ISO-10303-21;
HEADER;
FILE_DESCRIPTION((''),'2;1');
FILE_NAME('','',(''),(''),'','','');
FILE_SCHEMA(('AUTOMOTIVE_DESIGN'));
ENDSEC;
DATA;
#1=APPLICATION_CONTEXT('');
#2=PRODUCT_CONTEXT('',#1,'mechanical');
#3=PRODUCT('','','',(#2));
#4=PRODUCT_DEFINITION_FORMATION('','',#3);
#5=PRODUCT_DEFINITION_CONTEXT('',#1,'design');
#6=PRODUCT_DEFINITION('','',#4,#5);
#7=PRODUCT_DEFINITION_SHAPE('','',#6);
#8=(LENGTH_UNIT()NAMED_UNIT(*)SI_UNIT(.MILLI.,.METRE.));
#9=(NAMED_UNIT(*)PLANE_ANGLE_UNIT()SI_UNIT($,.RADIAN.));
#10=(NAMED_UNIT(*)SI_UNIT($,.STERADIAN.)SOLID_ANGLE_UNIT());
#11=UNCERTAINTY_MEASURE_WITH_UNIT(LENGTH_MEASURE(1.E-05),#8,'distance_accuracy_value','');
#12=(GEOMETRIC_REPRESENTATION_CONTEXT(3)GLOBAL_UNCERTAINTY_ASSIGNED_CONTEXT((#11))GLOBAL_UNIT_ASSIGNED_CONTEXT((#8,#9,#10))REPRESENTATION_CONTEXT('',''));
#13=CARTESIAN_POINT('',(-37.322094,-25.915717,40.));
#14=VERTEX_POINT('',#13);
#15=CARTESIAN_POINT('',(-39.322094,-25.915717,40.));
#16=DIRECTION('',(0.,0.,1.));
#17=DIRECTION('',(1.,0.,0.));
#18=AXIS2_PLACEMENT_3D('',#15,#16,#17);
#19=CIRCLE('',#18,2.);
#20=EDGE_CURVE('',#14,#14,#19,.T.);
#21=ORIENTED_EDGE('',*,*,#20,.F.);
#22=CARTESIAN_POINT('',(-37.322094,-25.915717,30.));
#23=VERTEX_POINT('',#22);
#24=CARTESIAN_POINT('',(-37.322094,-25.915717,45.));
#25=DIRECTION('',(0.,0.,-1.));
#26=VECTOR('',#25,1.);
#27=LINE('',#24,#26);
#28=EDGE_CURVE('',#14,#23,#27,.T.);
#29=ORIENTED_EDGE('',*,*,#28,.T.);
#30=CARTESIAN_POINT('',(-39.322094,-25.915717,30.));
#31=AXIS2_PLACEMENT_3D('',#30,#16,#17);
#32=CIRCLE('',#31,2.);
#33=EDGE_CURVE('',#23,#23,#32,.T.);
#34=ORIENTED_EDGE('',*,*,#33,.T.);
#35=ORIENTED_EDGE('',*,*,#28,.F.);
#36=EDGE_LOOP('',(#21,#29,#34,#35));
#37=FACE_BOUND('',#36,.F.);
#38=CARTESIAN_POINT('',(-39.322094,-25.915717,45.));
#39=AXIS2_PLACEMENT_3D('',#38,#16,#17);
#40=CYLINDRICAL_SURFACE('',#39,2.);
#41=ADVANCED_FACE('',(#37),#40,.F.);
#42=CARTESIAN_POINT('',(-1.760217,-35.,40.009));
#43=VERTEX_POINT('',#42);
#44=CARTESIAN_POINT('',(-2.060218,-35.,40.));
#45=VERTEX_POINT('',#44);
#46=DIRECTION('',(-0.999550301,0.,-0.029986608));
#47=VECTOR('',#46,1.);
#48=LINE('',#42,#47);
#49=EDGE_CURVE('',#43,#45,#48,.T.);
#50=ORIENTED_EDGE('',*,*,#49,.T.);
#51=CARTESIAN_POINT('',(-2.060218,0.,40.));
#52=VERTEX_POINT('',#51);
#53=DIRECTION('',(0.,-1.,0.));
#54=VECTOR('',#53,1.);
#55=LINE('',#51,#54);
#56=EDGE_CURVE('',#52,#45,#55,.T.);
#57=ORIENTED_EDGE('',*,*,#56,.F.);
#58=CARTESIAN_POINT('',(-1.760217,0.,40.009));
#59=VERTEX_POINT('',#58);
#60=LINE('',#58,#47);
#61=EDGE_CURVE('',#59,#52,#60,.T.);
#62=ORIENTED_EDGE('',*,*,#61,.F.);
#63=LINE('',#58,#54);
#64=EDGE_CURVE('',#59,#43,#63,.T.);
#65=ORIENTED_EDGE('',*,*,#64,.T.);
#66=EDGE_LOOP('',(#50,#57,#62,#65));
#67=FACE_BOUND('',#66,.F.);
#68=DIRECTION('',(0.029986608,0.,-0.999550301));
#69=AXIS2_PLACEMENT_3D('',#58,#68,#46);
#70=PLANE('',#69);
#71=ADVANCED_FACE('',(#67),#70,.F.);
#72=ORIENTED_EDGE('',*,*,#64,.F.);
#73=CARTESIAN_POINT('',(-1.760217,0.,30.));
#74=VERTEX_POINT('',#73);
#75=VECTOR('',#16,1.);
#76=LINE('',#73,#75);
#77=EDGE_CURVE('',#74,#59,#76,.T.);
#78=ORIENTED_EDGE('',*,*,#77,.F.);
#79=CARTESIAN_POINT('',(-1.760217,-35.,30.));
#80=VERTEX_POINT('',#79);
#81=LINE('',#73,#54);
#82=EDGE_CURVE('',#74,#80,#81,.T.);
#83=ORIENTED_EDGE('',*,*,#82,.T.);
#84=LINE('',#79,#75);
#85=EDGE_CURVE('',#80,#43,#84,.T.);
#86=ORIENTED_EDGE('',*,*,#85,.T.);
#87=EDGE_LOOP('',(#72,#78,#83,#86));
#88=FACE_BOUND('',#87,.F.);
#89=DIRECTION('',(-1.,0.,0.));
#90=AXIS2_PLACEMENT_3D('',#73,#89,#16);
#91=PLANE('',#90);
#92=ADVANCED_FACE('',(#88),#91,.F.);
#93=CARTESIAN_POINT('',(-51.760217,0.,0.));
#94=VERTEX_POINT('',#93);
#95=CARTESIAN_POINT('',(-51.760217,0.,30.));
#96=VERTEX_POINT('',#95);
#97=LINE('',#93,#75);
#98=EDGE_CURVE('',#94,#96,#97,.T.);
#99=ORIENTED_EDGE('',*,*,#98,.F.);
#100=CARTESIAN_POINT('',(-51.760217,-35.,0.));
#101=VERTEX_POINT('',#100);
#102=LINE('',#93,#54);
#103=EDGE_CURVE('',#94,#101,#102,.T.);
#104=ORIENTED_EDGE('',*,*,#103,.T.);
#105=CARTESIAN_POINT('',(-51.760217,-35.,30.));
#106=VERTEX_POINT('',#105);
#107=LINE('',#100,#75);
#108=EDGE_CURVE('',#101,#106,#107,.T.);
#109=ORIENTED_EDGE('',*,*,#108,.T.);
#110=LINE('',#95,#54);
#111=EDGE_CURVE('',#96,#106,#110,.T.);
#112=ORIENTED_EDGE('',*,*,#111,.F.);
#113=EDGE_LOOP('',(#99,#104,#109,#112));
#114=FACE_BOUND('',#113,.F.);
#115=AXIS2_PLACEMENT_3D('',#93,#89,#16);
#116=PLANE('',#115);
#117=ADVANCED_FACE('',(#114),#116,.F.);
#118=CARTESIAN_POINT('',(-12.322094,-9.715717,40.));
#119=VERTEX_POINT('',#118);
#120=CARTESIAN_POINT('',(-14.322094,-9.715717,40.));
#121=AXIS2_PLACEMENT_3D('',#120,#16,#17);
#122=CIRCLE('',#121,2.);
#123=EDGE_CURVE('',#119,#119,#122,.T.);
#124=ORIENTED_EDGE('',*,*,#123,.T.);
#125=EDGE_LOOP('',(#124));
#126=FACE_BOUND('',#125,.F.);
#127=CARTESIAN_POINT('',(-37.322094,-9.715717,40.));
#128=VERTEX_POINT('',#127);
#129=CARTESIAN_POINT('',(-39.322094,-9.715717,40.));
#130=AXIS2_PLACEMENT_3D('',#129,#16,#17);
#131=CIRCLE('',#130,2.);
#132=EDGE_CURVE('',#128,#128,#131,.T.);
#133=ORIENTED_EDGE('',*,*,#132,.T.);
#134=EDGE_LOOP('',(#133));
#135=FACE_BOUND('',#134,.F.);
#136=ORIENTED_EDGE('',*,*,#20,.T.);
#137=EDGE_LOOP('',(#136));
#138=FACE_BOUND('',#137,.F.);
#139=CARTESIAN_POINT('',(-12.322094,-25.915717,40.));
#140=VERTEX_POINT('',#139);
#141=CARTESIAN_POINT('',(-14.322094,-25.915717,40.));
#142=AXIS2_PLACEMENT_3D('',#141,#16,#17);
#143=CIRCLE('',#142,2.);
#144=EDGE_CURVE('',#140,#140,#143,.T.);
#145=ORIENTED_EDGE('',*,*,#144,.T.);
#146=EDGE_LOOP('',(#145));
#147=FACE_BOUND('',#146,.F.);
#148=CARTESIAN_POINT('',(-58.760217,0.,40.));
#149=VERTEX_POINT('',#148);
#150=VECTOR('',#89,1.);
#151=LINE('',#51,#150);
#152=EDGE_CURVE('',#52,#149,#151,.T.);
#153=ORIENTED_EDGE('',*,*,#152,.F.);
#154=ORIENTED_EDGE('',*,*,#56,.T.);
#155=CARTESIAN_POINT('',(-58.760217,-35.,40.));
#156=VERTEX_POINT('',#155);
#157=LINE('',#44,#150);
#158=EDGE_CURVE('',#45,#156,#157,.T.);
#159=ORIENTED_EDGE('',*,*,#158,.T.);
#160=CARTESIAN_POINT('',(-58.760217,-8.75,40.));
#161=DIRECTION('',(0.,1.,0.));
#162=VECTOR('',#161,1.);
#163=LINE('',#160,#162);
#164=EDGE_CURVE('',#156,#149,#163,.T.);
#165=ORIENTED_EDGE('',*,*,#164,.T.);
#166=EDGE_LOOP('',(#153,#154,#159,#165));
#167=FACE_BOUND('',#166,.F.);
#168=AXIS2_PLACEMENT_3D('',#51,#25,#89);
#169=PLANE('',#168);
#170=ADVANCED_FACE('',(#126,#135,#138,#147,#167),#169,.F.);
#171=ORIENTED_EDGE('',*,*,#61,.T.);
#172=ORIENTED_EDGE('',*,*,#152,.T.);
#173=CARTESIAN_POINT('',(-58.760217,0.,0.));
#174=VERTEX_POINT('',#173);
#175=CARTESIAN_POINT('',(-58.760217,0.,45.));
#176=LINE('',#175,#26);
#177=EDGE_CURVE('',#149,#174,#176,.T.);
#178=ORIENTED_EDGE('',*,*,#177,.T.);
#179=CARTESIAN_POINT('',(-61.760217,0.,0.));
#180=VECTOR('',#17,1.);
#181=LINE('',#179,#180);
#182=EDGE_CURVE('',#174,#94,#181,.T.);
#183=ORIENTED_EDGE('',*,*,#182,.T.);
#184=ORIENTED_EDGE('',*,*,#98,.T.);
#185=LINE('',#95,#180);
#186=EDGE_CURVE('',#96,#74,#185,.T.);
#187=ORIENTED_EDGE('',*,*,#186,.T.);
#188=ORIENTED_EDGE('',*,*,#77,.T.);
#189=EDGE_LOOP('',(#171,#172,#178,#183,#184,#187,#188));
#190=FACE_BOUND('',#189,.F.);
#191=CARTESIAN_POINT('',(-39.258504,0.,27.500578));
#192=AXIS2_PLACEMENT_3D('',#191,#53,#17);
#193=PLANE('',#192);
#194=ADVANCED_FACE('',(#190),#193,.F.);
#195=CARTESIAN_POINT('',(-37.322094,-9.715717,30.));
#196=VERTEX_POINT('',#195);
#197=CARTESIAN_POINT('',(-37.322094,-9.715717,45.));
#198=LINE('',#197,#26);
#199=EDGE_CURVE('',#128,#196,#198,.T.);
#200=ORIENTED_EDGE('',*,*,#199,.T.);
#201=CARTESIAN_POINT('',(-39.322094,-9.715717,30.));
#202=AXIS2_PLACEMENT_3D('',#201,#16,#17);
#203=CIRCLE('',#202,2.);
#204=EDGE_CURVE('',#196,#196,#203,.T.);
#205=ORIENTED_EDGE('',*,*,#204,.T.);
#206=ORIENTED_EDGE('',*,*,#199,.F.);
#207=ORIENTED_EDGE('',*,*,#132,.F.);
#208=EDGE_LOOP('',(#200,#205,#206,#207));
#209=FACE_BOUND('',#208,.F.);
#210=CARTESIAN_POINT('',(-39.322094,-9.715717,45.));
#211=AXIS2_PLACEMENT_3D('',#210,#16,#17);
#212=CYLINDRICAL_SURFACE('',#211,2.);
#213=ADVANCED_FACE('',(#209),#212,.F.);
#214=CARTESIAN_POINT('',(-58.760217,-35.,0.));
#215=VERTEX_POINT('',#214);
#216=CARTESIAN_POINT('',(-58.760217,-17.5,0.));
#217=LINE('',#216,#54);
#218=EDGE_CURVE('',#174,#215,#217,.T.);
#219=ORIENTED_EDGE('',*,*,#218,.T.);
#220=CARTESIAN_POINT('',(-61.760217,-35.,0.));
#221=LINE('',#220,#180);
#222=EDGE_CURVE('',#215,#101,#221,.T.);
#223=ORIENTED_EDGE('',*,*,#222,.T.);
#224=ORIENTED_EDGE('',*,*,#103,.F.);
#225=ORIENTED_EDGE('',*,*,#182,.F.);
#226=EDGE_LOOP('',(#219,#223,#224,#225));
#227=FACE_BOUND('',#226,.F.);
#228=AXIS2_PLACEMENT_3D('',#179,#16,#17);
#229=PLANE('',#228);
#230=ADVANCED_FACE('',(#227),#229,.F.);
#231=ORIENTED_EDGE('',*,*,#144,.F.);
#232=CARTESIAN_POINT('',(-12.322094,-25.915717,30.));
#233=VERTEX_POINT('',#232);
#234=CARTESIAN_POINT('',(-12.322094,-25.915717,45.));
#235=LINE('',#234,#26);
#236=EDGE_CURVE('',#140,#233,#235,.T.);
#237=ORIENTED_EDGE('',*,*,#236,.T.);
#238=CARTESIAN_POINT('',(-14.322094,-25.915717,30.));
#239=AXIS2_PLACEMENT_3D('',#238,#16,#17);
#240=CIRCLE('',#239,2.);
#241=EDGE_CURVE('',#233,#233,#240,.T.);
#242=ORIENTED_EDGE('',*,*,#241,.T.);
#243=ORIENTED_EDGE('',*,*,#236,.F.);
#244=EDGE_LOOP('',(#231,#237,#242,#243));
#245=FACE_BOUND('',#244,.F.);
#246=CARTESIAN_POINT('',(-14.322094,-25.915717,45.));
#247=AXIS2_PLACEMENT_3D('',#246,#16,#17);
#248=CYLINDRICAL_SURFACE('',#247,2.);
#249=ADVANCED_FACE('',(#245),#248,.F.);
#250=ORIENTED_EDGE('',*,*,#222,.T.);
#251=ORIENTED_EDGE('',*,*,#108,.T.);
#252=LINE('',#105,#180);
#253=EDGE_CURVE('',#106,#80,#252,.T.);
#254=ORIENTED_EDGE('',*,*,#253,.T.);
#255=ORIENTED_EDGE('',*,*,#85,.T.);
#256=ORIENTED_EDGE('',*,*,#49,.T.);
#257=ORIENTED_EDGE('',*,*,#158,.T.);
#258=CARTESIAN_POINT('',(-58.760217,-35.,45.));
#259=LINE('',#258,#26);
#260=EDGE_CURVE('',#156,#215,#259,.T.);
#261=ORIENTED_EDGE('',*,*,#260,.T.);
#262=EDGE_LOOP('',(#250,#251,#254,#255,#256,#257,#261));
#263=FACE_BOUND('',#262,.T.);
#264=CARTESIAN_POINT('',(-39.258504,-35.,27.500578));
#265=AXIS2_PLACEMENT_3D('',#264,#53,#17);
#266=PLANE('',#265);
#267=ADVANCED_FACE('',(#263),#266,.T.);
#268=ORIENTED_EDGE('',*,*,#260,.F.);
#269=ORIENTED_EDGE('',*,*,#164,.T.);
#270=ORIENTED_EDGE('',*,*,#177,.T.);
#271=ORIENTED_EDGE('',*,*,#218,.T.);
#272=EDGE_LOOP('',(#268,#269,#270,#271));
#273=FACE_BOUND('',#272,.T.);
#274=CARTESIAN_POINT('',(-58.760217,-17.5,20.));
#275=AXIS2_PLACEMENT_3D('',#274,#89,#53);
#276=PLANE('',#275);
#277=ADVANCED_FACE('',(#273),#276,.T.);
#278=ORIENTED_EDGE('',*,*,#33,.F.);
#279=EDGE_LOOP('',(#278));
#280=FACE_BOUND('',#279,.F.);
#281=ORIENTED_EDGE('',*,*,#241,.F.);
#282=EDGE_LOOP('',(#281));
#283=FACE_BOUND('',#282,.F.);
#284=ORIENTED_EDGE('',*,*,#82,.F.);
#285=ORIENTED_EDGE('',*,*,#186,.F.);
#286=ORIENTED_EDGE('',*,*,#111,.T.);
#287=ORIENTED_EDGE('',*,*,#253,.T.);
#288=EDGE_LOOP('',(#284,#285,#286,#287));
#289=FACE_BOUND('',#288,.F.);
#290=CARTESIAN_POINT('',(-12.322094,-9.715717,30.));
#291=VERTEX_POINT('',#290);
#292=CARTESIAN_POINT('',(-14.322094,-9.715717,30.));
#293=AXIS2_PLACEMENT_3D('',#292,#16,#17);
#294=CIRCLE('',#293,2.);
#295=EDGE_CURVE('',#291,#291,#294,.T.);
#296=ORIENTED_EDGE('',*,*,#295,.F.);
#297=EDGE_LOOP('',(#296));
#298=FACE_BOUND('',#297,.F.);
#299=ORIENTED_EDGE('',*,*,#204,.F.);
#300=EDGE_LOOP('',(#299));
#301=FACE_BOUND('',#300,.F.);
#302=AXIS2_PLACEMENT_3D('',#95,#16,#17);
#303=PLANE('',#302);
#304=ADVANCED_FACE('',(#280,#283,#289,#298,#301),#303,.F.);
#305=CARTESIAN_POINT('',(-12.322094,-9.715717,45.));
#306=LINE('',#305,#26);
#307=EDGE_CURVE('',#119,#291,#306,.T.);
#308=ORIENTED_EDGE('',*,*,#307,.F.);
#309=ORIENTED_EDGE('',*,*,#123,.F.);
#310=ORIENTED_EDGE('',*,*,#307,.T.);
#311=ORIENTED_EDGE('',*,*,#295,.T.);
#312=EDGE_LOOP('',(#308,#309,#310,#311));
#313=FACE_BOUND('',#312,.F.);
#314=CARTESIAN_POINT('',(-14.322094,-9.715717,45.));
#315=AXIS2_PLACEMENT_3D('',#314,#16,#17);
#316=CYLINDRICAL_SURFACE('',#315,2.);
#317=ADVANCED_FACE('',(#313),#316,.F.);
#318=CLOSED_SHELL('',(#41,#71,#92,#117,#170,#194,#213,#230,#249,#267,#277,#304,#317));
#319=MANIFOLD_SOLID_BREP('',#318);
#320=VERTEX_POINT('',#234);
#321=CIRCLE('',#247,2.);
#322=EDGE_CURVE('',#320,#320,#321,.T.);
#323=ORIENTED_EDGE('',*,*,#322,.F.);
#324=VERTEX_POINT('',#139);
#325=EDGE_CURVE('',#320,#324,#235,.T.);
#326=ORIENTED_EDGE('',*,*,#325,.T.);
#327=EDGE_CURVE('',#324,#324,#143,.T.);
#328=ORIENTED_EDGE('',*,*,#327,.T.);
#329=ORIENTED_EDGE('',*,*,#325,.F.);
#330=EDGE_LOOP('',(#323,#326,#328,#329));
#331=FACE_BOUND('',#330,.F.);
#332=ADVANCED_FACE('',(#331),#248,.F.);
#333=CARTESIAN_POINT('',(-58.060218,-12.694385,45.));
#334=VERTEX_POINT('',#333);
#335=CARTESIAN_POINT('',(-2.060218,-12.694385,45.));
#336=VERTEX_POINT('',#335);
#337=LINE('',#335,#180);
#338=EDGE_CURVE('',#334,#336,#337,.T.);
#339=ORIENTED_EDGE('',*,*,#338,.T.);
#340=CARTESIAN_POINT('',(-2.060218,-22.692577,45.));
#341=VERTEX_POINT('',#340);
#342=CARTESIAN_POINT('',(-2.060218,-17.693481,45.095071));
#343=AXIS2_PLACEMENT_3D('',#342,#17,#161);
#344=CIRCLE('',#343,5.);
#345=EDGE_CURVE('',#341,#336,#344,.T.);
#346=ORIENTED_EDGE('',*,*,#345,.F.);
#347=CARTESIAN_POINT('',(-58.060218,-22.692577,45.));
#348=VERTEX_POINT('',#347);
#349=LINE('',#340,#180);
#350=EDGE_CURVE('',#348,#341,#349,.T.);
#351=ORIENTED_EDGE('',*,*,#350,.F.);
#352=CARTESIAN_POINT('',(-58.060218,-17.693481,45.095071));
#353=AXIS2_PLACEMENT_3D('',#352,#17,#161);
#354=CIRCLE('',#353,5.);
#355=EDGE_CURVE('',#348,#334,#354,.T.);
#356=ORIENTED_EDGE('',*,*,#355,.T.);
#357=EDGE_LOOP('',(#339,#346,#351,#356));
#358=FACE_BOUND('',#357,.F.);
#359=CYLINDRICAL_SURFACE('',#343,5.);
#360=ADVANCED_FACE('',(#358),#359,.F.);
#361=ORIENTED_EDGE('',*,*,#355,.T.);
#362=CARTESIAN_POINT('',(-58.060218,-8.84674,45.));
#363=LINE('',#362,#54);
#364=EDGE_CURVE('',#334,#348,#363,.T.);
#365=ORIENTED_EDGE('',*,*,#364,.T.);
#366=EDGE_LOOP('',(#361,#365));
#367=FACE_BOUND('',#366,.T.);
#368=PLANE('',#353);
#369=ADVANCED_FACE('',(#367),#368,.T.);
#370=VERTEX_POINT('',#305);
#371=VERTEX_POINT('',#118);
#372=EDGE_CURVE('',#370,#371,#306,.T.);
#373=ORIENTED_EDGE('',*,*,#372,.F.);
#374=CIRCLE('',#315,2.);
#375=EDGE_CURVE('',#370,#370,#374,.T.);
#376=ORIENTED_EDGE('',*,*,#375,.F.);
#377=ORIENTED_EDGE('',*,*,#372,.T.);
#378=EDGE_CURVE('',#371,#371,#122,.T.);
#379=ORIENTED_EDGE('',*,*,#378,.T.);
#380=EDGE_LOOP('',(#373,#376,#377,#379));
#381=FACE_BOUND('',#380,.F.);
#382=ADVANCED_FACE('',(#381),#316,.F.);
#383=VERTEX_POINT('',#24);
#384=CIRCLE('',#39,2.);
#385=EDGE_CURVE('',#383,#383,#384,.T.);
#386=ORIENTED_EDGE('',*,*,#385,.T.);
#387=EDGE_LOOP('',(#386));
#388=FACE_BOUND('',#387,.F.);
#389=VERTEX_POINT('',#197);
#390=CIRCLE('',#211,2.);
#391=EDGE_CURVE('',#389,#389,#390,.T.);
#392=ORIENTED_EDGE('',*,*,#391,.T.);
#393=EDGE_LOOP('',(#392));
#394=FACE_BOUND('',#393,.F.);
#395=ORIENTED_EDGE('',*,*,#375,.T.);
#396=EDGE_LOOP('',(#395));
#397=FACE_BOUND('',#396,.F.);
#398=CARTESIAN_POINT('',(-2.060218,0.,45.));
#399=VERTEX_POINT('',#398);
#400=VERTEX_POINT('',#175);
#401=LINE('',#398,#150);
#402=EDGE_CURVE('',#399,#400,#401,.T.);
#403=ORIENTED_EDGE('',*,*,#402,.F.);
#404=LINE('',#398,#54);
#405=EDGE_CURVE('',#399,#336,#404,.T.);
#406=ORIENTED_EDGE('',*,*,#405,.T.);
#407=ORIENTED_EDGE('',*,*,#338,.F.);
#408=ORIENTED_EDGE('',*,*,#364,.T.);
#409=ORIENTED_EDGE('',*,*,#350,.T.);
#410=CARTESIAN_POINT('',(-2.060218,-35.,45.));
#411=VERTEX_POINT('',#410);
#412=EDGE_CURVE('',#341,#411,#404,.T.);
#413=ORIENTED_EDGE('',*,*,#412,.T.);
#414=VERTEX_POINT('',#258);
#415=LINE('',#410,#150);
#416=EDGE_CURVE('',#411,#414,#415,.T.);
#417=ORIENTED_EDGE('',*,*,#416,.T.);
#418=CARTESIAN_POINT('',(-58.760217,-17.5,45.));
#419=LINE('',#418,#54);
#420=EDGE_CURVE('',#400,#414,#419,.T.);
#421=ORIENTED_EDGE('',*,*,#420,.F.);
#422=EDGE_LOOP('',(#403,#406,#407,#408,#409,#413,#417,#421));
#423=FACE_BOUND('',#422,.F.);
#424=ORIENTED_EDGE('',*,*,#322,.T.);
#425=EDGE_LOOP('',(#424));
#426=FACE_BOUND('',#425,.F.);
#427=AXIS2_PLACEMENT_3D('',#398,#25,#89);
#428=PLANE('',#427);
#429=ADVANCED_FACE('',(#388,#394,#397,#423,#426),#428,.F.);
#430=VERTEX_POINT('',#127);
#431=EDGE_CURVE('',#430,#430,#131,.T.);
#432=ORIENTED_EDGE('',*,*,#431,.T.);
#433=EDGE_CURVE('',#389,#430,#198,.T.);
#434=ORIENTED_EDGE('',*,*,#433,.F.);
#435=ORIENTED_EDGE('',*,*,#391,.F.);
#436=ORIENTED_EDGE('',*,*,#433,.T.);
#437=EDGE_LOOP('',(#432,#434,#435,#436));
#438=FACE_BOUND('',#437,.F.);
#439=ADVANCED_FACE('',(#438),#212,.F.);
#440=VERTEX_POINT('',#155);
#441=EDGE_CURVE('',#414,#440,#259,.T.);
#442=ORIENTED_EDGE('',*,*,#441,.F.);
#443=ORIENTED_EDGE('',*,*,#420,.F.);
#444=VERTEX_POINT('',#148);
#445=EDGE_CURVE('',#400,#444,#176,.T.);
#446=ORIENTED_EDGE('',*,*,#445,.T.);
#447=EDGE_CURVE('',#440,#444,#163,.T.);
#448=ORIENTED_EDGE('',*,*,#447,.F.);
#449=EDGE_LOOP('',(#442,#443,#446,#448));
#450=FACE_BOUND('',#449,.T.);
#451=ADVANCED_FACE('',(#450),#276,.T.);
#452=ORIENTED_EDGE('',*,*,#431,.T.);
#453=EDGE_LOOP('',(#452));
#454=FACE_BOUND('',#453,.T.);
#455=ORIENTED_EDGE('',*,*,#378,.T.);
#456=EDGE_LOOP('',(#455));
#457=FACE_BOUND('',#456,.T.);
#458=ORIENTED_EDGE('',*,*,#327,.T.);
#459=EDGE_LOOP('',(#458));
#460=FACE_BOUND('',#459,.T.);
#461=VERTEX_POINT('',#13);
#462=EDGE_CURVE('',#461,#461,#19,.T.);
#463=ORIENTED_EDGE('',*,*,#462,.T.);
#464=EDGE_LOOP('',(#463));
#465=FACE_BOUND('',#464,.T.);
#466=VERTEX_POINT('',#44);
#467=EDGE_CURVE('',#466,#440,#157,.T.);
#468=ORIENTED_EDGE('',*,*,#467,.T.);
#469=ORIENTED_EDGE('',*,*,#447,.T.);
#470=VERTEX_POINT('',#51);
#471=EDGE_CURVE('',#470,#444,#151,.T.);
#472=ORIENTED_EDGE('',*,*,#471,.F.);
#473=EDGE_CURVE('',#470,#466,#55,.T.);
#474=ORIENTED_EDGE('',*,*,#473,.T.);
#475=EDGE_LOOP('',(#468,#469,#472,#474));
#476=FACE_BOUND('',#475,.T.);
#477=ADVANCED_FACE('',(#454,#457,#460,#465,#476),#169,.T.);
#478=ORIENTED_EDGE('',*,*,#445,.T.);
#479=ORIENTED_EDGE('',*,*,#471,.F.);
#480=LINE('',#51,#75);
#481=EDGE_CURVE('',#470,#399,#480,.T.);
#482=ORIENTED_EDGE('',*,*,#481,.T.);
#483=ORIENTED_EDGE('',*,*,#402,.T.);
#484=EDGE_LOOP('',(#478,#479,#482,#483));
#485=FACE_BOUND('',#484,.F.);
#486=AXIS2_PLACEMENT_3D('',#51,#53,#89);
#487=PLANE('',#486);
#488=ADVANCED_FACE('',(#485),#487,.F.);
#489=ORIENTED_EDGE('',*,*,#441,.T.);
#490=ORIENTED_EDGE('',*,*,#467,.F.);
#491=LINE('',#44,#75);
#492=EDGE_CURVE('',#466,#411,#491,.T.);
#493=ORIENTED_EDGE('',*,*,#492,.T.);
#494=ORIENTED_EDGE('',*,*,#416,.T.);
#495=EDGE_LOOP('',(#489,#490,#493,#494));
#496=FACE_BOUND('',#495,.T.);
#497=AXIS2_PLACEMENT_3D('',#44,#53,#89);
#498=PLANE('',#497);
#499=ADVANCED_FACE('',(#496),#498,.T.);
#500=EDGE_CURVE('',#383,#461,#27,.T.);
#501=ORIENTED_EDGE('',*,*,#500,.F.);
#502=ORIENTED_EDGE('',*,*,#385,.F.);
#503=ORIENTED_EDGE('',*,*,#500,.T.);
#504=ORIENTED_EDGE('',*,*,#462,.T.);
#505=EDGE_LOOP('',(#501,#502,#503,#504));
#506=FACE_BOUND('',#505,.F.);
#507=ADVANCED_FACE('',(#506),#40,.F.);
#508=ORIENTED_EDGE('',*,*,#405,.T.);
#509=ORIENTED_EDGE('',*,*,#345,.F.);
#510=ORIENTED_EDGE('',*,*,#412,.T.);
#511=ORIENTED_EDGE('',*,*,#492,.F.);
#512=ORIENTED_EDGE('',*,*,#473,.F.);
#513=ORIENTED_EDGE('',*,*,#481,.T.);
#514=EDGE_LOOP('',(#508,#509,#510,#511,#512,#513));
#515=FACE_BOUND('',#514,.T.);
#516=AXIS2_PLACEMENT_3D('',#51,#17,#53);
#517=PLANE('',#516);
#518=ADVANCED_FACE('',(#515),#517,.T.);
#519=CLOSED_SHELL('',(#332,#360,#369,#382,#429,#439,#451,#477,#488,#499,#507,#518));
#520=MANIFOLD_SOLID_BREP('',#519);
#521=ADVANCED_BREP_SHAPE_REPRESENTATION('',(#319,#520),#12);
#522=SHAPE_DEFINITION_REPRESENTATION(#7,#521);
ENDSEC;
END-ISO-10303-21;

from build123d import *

# Parameters (mm, degrees)
F1_DEPTH   = 35
F2_DEPTH   = 5
F3_R       = 5
F4_DEPTH   = 56
F5_R       = 2
F6_DEPTH   = 45.001
F2_FACE1_W = 35
F2_FACE1_H = 5
F1_FACE1_W = 35
F1_FACE1_H = 40
F7_DEPTH   = 3


with BuildPart() as f1:
    # F0 (on Front) → F1 (new body)
    with BuildSketch(Plane.XZ):
        Polygon((-61.7602169514, 0), (-51.7602169514, 0), (-51.7602169514, 30), (-1.7602169514, 30), (-1.7602169514, 40.0090000596), (-2.0602179447, 40), (-61.7602169514, 40), align=None)
    extrude(amount=F1_DEPTH)


with BuildPart() as f2:
    # F2 (new): a face of the model
    f2_faces = [f1.part.faces().sort_by_distance(p)[0] for p in [
        (-31.910217448, -17.5, 40),
    ]]
    extrude(f2_faces, amount=F2_DEPTH)

    # F3 (on face) → F4 (cut)
    with BuildSketch(Plane.YZ.offset(-2.0602179447)):
        with Locations((-17.693480813, 45.095071026)):
            Circle(F3_R)
    extrude(amount=-F4_DEPTH, mode=Mode.SUBTRACT)


with BuildPart() as f6_tool:
    # F5 (on face) → F6 (new body, through all)
    with BuildSketch(Plane.XY.offset(45)):
        with Locations((-39.3220936686, -9.7157170847)):
            Circle(F5_R)
        with Locations((-14.3220936686, -9.7157170847)):
            Circle(F5_R)
        with Locations((-14.3220936686, -25.9157170847)):
            Circle(F5_R)
        with Locations((-39.3220936686, -25.9157170847)):
            Circle(F5_R)
    extrude(amount=-F6_DEPTH)


with BuildPart() as f1_1:
    add(f1.part)

    # F6: cut by f6_tool
    add(f6_tool.part, mode=Mode.SUBTRACT)


with BuildPart() as f2_1:
    add(f2.part)

    # F6: cut by f6_tool
    add(f6_tool.part, mode=Mode.SUBTRACT)


with BuildPart() as f7_tool:
    # F2_face1 (on face) + F1_face1 (on face) → F7 (new body)
    with BuildSketch(Plane(origin=(-61.7602169514, -17.5, 42.5), x_dir=(0, -1, 0), z_dir=(-1, 0, 0))):
        Rectangle(F2_FACE1_W, F2_FACE1_H)
    with BuildSketch(Plane(origin=(-61.7602169514, -17.5, 20), x_dir=(0, -1, 0), z_dir=(-1, 0, 0))):
        Rectangle(F1_FACE1_W, F1_FACE1_H)
    extrude(amount=-F7_DEPTH)


with BuildPart() as f1_2:
    add(f1_1.part)

    # F7: cut by f7_tool
    add(f7_tool.part, mode=Mode.SUBTRACT)


with BuildPart() as f2_2:
    add(f2_1.part)

    # F7: cut by f7_tool
    add(f7_tool.part, mode=Mode.SUBTRACT)


solid = Compound([f1_2.part, f2_2.part])
